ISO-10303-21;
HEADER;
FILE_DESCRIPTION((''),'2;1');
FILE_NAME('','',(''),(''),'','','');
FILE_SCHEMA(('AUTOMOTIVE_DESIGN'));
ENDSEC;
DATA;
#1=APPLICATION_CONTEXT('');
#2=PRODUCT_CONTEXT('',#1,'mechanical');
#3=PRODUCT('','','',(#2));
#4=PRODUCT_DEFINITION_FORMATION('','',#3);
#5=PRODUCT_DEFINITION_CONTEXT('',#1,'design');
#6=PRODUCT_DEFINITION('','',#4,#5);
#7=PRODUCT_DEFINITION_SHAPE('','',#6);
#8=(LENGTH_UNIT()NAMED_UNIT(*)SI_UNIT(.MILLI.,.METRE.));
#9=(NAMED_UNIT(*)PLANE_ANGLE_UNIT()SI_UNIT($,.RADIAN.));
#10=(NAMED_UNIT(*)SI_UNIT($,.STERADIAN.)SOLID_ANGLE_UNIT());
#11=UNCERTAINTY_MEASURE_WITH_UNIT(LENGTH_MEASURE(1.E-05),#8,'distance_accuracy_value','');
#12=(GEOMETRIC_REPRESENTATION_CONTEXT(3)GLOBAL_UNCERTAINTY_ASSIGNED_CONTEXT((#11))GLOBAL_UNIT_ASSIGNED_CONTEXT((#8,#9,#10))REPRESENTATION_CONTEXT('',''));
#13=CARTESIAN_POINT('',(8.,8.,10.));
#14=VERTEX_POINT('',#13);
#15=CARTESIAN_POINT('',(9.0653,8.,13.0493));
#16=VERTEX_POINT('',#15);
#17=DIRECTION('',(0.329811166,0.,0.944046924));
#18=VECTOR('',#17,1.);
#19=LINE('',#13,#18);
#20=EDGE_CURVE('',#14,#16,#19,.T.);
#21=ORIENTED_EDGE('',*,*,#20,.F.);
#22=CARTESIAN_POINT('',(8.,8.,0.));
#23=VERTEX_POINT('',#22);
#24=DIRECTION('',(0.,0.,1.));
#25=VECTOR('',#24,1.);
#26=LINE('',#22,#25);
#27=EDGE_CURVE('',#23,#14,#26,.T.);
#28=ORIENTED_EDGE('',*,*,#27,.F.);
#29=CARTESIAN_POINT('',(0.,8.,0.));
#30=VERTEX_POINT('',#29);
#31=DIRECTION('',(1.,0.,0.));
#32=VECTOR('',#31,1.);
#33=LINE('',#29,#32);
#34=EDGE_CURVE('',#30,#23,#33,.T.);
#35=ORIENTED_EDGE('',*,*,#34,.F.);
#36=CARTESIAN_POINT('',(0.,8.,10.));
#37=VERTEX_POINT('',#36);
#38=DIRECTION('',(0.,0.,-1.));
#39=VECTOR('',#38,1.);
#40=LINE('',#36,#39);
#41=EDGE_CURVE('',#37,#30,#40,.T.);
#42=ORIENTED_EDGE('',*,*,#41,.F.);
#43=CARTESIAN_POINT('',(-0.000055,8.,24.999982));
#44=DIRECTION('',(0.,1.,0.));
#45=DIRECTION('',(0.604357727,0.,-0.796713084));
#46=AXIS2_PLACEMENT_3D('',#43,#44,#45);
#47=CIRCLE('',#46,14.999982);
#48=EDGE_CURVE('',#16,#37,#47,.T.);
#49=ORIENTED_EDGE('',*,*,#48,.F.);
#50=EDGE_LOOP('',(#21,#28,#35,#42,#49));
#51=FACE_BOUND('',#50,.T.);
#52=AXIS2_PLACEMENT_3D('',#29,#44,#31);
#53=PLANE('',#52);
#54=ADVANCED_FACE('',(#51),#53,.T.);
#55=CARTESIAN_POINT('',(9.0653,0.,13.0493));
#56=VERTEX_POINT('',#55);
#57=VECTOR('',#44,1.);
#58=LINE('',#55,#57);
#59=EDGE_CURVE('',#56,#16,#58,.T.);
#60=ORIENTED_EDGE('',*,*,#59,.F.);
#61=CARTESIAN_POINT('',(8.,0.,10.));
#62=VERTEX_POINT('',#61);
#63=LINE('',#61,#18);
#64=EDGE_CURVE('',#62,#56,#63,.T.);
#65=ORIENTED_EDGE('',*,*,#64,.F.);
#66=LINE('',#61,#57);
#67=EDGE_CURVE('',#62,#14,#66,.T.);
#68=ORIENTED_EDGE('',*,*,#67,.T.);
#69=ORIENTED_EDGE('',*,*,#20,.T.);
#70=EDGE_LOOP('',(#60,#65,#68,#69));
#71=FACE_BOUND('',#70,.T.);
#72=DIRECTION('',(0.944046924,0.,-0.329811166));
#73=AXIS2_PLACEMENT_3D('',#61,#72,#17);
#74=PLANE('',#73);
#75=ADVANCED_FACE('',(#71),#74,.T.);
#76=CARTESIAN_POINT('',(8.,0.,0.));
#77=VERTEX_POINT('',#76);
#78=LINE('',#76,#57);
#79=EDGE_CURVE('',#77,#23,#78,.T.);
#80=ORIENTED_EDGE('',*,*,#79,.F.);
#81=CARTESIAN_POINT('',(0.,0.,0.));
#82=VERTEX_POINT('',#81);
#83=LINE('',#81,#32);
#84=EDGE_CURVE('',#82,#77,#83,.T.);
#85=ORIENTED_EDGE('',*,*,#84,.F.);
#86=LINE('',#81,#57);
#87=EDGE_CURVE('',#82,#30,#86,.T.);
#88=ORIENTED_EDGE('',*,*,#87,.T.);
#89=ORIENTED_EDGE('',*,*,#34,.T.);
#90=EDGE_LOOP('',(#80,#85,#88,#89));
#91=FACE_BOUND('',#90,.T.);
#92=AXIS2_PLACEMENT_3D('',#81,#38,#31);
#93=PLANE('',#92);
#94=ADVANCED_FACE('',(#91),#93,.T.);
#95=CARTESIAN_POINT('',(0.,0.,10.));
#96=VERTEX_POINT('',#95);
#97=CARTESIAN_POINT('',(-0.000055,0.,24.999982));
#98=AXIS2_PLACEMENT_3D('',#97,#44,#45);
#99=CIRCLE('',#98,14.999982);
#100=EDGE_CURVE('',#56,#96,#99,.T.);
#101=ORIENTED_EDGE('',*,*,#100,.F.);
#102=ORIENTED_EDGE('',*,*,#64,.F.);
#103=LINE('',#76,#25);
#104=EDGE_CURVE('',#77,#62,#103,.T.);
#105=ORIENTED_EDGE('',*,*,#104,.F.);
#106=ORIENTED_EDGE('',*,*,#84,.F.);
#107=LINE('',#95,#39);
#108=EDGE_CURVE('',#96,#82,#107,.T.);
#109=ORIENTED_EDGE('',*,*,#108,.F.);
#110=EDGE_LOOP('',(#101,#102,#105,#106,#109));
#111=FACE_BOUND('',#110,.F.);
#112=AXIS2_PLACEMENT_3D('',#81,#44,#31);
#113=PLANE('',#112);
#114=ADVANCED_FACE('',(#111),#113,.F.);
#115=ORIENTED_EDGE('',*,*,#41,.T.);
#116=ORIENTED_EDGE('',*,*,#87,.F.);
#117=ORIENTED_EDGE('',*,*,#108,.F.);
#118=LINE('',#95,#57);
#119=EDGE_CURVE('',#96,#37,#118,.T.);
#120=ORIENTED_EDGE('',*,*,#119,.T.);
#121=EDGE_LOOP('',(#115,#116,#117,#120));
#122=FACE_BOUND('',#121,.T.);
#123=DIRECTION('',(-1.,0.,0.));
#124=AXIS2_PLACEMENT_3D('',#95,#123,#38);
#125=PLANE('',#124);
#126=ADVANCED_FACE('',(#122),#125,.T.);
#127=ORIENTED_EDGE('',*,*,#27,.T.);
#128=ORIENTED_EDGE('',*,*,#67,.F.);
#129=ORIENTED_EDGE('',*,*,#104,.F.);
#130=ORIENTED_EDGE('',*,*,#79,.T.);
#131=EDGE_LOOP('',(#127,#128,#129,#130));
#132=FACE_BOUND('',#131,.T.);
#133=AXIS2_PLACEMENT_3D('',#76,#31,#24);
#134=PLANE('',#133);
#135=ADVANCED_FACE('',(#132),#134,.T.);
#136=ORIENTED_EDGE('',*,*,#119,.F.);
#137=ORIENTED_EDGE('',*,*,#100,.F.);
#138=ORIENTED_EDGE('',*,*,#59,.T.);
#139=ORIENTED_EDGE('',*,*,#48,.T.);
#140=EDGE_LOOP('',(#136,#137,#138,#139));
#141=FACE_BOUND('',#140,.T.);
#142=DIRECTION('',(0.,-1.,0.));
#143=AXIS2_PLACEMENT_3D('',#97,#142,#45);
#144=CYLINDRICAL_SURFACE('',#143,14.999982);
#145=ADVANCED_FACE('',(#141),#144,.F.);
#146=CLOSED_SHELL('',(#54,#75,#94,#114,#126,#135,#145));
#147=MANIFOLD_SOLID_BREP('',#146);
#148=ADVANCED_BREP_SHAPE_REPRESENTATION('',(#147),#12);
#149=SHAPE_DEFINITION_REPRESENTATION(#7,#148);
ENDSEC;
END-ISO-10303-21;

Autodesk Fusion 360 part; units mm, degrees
sketch "Sketch1" plane through (0, 0, 0) normal (0, 1, 0) x (1, 0, 0)
  line L0 (0, 0) -> (8, 0)
  line L1 (8, 0) -> (8, -10)
  line L2 (0, -10) -> (0, 0)
  line L3 (8, -10) -> (9.0653, -13.0493)
  arc A0 (9.0653, -13.0493) -> (0, -10) centre (0, -25) ccw
extrude "Extrude1" add sketch "Sketch1" along normal blind 8
